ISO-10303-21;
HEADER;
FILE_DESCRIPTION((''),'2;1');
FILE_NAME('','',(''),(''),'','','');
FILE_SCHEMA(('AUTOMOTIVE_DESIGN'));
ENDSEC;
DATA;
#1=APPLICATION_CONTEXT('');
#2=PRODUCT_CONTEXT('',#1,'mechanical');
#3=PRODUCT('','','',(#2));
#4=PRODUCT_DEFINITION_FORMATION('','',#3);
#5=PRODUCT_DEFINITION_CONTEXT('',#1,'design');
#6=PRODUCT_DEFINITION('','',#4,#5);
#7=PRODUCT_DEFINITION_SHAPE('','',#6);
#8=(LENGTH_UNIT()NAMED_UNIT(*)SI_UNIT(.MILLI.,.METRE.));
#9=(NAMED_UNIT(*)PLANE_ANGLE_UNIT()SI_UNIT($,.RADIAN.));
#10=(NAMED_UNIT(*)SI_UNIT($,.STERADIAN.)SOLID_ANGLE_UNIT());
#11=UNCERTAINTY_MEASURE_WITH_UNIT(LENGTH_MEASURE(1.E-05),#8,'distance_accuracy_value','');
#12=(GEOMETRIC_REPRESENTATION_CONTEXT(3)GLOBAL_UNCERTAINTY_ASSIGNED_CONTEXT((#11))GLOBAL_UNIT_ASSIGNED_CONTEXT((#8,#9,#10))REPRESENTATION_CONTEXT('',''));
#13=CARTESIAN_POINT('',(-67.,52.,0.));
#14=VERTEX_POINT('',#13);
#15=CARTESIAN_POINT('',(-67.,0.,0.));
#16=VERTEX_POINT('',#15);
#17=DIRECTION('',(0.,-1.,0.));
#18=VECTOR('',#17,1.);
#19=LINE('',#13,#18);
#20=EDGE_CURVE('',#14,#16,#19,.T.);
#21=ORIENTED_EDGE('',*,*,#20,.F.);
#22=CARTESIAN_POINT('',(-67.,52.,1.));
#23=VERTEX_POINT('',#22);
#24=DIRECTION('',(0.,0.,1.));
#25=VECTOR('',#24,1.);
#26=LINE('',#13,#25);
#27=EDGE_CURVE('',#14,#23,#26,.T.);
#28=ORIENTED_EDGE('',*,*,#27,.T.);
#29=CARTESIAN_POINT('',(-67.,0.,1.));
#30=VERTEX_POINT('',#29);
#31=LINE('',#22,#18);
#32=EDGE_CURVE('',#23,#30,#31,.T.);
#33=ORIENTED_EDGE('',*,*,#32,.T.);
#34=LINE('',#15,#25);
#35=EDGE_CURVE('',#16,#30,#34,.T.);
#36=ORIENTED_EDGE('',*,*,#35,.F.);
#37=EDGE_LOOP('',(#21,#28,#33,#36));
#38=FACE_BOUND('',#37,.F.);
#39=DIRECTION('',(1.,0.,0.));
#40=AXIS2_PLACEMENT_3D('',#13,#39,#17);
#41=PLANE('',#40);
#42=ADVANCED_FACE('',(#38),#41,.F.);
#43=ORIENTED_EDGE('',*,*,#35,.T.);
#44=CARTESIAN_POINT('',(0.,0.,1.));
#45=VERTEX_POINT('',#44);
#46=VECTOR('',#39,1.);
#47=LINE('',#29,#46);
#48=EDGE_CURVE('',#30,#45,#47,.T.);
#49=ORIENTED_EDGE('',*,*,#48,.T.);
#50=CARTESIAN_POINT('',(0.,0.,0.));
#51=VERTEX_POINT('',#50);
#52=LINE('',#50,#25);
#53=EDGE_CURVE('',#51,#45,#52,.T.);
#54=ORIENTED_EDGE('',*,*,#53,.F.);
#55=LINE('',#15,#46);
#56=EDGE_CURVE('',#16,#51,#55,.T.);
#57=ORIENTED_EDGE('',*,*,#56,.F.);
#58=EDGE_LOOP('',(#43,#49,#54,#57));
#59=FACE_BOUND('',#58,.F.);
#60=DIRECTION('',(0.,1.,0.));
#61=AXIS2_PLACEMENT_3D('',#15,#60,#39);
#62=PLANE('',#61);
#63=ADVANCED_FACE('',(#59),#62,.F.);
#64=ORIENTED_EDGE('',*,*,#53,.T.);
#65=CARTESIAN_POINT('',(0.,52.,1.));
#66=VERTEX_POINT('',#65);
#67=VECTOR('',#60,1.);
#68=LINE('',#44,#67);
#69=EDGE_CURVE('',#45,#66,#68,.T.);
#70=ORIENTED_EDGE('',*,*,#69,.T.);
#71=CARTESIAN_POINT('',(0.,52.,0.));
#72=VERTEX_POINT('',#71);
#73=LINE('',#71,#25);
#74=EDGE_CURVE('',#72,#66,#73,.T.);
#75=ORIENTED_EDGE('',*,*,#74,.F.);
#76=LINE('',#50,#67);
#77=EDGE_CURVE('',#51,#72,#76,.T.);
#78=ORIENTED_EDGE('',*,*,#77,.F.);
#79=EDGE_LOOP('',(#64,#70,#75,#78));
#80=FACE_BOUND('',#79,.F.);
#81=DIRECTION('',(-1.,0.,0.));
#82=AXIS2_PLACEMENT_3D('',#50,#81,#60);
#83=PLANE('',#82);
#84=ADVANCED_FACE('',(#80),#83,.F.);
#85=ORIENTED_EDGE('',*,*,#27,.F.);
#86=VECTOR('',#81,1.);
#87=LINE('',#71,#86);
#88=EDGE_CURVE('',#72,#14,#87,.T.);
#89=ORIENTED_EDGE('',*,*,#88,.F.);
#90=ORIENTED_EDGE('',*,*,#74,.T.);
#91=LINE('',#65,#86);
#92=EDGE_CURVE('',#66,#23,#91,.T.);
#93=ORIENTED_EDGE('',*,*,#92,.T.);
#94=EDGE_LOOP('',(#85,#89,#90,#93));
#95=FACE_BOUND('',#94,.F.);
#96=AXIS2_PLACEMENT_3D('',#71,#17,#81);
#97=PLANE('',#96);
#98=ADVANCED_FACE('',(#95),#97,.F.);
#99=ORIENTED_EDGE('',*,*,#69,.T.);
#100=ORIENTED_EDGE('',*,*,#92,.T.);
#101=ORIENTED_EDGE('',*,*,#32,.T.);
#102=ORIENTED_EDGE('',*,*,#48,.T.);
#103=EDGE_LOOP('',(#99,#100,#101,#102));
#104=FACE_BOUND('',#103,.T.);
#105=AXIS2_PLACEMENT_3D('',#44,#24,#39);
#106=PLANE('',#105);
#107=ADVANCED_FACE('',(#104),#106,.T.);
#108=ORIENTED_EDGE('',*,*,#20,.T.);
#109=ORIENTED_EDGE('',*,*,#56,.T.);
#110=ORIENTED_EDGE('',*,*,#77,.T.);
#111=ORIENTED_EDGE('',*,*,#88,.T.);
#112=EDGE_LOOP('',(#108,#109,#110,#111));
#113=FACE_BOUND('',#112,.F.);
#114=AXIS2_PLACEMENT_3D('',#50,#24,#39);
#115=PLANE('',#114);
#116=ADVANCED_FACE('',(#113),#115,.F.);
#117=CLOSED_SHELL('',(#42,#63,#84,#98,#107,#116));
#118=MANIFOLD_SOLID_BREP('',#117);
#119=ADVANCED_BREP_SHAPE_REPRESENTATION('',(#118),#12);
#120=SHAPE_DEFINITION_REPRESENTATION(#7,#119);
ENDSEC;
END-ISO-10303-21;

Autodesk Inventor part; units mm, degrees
ref_plane "YZ Plane" through (0, 0, 0) normal (1, 0, 0) x (0, 1, 0)
ref_plane "XZ Plane" through (0, 0, 0) normal (0, 1, 0) x (-1, 0, 0)
ref_plane "XY Plane" through (0, 0, 0) normal (0, 0, 1) x (1, 0, 0)
sketch "Sketch1" plane through (0, 0, 0) normal (0, 0, 1) x (1, 0, 0)
  line L0 (0, 0) -> (0, 52)
  line L1 (0, 52) -> (-67, 52)
  line L2 (-67, 52) -> (-67, 0)
  line L3 (-67, 0) -> (0, 0)
  dimension "d0" = 52
  dimension "d1" = 67
  dimension "d2" = 52
extrude "Extrusion1" add sketch "Sketch1" along normal blind 1
properties part number "botn"
